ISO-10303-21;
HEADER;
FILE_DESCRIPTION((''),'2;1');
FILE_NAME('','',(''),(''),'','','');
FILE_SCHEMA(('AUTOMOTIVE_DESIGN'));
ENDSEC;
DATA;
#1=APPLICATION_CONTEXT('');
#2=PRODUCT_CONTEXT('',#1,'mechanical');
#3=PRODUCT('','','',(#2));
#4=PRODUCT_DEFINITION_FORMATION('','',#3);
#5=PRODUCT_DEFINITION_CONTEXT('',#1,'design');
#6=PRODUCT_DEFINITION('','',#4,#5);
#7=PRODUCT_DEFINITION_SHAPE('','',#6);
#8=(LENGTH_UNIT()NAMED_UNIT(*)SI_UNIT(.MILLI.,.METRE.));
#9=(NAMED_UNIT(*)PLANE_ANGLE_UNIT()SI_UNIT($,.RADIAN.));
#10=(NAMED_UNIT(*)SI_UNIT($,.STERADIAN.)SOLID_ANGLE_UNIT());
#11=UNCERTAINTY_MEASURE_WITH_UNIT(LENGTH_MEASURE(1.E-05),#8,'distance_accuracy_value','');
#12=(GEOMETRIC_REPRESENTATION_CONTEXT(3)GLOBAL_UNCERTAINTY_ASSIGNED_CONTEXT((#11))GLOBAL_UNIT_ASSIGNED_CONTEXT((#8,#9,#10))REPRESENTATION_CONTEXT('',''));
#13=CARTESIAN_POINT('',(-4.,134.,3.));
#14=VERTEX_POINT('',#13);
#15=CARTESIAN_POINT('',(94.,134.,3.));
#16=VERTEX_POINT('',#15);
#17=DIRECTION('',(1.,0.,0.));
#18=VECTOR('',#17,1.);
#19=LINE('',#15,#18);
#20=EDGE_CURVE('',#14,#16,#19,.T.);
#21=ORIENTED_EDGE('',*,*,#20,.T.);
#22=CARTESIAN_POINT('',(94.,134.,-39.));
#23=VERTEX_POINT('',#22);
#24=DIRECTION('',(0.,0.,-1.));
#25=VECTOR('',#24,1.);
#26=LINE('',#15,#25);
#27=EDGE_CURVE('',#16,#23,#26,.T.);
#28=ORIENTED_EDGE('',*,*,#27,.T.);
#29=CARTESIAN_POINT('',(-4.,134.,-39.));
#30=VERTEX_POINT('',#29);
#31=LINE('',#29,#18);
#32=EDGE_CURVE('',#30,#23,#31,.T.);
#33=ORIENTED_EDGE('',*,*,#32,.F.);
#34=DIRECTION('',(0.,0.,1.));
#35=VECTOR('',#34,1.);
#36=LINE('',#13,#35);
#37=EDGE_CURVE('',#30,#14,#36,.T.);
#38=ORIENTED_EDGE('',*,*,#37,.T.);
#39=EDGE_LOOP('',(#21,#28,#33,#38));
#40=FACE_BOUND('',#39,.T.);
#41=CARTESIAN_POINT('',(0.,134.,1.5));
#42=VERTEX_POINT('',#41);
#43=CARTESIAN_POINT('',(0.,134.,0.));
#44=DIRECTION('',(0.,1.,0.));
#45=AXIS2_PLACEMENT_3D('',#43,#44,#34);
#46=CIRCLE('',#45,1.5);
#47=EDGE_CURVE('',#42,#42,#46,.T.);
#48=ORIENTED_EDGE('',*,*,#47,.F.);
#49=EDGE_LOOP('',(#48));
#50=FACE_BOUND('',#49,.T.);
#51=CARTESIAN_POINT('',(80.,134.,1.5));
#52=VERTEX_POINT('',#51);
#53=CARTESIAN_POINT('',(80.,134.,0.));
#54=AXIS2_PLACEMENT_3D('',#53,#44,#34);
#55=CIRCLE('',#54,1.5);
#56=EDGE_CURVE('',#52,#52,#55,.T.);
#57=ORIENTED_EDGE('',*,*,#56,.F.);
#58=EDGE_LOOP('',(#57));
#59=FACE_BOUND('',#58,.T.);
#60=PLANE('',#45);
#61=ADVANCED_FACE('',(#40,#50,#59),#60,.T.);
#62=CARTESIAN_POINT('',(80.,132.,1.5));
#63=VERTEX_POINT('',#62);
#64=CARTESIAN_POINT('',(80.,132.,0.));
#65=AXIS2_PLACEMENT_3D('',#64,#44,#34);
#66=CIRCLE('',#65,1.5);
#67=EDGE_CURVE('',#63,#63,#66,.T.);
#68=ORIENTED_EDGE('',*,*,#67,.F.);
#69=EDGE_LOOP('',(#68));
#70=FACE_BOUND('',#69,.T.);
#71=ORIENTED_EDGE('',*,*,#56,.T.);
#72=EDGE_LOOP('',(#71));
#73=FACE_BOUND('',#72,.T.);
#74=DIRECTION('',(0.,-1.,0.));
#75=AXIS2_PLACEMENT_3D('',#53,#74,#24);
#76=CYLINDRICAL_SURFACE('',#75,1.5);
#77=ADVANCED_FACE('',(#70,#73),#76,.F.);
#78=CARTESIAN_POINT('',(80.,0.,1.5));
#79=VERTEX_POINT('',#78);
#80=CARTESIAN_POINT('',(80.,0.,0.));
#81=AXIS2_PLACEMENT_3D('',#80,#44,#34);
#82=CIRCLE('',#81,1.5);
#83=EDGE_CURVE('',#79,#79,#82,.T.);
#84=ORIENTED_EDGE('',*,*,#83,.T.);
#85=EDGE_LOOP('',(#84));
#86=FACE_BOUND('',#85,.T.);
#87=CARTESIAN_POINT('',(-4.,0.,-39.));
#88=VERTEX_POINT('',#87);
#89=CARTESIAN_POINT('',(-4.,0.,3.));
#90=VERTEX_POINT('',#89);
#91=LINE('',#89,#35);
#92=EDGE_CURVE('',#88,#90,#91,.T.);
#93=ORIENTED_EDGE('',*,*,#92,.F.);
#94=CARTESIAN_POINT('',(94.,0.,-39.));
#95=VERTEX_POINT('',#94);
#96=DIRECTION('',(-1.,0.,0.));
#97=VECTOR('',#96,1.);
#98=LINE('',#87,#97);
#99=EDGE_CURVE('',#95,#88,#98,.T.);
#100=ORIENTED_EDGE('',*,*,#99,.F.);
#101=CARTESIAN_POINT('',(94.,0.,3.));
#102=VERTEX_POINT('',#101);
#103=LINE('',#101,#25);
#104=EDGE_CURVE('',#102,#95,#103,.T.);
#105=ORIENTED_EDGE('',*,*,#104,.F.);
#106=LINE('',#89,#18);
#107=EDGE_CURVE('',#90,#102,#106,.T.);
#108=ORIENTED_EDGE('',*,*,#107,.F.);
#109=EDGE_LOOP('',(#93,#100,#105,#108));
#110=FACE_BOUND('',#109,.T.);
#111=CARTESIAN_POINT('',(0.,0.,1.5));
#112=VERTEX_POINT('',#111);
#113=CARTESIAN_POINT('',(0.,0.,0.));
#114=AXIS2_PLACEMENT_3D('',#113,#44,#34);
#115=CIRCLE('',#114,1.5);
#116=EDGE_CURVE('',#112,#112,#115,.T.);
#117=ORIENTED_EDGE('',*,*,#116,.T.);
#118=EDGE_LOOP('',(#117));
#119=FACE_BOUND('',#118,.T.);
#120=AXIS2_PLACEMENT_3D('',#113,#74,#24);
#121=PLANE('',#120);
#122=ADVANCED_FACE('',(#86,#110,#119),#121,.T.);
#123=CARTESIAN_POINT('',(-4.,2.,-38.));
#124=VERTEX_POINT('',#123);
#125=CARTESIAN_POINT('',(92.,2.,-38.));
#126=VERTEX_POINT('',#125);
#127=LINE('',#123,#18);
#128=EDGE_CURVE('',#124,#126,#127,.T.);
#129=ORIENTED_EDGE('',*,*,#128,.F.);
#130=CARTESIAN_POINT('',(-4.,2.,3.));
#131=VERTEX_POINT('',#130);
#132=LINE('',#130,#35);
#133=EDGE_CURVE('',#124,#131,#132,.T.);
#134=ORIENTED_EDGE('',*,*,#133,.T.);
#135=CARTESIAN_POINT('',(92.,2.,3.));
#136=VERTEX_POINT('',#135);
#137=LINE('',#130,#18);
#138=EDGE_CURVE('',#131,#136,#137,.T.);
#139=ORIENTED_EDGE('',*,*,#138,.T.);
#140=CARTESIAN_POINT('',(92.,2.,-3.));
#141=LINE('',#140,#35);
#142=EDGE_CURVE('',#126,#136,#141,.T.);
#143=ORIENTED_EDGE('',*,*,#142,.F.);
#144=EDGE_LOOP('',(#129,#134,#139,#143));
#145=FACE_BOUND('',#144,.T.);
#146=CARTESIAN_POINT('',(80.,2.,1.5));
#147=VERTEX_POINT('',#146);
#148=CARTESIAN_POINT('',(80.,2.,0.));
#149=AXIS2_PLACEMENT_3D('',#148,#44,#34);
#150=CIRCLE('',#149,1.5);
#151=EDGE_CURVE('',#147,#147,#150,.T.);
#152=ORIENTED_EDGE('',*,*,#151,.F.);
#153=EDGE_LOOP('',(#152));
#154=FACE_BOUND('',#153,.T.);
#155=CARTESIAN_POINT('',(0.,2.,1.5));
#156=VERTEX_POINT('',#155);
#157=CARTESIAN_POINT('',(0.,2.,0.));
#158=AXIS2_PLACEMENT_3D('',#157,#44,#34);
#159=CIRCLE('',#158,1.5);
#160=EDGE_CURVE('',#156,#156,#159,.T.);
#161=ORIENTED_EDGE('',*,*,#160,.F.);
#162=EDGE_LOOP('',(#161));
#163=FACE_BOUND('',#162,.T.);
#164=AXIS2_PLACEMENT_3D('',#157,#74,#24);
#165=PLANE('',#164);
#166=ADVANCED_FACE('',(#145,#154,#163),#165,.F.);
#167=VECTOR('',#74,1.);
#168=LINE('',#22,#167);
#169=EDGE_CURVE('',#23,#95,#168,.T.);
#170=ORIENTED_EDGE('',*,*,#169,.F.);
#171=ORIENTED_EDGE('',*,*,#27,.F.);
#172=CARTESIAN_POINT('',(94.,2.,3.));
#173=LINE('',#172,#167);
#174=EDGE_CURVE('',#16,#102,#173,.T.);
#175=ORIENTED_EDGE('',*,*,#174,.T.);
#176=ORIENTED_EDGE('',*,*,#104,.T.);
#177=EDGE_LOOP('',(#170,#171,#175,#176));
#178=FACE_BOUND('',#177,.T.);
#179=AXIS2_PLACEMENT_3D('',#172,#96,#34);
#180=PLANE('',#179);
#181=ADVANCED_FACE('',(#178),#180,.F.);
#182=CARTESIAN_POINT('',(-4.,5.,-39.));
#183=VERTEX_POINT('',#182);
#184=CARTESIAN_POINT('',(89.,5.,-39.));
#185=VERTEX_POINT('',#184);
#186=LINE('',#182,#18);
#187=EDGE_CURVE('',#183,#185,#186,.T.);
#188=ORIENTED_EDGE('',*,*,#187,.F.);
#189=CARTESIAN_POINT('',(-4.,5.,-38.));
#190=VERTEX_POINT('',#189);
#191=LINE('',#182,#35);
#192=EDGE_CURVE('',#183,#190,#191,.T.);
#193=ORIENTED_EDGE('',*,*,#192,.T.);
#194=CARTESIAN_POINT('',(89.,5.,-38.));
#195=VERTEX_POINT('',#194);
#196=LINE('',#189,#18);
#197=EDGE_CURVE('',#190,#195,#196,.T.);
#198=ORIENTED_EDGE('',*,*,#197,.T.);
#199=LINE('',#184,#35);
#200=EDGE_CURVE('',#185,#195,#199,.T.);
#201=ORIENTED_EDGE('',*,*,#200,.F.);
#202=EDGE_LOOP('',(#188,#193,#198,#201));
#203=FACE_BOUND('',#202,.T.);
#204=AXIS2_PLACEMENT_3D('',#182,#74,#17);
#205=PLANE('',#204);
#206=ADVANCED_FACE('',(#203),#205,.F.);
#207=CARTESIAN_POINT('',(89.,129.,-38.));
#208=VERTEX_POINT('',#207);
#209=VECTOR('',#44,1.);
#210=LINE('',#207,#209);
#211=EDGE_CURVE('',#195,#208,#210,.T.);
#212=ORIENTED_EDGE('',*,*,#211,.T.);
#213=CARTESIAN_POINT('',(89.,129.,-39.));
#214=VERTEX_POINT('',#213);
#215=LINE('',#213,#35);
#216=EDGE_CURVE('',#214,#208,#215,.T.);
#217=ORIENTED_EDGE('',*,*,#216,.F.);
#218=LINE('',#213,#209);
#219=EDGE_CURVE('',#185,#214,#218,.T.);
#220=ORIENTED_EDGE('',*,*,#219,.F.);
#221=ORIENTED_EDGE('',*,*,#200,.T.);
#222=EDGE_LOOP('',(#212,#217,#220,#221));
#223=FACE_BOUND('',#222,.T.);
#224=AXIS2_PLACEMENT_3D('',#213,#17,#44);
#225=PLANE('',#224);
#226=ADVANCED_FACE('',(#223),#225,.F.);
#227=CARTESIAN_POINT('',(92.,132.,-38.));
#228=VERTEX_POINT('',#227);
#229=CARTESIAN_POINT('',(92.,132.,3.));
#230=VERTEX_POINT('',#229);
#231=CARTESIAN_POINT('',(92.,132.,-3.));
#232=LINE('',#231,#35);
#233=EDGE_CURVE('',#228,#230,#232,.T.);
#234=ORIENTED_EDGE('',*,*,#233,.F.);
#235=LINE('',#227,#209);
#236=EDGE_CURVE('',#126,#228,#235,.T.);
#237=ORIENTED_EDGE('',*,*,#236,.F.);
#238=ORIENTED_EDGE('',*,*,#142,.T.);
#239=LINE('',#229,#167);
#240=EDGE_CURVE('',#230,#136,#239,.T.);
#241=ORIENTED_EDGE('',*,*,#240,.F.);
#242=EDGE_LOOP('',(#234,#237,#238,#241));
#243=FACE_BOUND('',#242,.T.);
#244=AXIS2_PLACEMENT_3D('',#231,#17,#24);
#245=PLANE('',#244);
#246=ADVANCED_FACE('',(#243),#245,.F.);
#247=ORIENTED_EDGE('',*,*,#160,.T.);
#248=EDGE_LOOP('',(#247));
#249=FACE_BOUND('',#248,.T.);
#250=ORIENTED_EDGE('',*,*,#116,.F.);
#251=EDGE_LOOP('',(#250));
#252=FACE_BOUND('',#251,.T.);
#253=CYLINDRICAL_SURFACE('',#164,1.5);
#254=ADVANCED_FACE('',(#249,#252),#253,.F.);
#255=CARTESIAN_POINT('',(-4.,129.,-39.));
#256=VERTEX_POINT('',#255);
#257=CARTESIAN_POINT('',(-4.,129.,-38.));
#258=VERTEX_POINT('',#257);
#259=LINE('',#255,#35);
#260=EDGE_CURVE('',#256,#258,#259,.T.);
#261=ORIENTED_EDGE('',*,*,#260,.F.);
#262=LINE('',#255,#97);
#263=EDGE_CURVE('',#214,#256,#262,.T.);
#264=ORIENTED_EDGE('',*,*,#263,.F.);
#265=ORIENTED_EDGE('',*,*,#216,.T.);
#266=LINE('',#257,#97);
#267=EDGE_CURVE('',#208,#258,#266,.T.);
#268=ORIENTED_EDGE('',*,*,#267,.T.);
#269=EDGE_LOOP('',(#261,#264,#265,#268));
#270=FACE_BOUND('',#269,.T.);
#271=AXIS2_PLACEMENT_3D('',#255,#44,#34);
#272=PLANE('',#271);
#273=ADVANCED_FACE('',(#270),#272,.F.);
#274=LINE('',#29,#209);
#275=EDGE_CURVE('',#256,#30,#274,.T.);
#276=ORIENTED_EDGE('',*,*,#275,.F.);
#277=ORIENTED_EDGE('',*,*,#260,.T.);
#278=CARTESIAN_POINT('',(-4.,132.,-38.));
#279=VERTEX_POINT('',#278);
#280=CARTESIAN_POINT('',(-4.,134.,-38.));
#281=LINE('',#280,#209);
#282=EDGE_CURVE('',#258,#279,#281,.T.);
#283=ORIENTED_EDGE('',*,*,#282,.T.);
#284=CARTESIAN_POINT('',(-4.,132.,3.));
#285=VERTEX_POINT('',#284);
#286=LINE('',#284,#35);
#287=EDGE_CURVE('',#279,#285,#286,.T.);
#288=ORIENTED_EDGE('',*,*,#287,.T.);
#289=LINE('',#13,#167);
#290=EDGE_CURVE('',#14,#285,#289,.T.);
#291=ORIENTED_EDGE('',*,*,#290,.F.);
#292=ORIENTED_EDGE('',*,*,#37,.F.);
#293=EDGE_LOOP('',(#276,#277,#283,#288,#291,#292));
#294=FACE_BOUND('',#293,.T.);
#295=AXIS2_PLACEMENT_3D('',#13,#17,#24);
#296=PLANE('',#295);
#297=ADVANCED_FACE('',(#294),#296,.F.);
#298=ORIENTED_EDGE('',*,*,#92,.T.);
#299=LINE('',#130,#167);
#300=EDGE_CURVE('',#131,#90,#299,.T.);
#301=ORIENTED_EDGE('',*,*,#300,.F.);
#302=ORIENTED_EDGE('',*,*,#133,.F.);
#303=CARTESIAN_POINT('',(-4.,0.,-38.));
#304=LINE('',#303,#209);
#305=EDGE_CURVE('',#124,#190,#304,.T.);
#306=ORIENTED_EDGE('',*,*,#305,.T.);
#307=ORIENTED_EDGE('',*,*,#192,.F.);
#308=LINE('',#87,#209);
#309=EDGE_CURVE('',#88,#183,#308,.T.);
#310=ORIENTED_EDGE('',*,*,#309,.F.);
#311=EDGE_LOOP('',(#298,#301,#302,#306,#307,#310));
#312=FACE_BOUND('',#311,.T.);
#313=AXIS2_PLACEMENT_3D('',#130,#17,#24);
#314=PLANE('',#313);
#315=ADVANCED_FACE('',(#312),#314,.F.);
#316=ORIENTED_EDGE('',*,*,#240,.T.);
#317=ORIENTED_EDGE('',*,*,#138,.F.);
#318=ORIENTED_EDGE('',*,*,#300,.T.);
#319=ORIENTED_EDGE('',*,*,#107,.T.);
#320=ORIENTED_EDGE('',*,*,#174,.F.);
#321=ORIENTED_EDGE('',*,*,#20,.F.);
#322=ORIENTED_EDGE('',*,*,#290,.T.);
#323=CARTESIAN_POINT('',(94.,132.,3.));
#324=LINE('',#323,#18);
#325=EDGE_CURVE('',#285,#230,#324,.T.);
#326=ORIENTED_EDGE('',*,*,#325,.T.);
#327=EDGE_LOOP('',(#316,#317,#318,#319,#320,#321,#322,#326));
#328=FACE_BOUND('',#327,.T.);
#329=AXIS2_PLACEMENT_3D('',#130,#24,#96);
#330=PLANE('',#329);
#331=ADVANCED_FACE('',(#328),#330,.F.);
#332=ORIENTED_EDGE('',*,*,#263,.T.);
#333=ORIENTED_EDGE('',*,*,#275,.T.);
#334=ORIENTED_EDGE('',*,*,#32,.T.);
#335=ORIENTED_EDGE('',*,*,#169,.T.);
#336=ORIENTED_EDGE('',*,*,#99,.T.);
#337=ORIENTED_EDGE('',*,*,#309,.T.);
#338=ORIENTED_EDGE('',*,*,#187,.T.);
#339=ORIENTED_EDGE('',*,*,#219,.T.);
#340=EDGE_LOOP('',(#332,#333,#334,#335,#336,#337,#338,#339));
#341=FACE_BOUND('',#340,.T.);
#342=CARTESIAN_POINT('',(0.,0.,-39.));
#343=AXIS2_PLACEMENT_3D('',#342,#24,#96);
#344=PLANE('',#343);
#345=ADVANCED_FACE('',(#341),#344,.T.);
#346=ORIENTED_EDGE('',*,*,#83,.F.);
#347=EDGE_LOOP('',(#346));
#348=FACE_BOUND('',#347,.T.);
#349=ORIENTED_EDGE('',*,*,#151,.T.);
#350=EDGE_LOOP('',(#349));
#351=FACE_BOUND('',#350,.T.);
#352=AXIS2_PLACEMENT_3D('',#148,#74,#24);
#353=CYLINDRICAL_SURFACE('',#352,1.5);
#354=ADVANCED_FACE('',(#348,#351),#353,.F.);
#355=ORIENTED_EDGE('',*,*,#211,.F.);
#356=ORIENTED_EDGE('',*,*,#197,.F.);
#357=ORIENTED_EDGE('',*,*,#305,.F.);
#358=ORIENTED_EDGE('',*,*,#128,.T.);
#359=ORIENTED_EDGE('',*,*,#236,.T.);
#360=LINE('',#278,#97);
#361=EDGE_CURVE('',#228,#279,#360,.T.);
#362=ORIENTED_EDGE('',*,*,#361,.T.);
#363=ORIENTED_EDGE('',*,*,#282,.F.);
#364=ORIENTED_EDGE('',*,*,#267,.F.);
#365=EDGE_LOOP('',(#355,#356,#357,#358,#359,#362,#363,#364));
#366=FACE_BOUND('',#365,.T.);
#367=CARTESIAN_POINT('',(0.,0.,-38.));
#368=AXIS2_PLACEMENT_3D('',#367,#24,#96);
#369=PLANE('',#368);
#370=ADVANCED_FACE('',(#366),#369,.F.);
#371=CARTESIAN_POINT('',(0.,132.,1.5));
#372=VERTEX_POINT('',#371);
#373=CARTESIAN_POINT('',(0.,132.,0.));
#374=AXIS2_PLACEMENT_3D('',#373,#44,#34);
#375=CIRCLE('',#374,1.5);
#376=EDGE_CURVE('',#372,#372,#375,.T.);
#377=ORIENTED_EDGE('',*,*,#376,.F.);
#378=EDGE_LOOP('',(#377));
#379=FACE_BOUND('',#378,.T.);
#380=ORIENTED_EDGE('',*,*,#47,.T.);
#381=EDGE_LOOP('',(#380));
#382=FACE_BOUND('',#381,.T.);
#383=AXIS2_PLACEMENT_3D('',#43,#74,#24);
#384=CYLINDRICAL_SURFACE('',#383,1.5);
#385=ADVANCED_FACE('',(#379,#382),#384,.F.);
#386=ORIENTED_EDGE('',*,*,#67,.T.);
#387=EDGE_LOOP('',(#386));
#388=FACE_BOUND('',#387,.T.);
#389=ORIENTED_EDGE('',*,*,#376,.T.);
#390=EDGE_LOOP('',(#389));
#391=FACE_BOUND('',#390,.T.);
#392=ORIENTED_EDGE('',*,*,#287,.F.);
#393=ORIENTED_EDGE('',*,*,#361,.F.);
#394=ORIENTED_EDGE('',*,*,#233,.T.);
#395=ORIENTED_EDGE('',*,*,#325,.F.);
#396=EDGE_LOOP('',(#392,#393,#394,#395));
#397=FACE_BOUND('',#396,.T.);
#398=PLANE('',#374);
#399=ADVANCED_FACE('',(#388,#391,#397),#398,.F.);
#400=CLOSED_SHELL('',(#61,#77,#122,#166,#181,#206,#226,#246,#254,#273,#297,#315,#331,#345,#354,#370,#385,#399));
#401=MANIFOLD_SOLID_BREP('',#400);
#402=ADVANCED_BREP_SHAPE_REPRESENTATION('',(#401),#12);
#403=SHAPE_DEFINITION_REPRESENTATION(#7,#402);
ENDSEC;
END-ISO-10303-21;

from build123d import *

# Parameters (mm, degrees)
SKETCH1_W           = 98
SKETCH1_H           = 6
SKETCH1_R           = 1.5
BOSS_EXTRUDE1_DEPTH = 2
SKETCH2_W           = 2
SKETCH2_H           = 6
BOSS_EXTRUDE2_DEPTH = 130
SKETCH3_W           = 98
SKETCH3_H           = 6
SKETCH3_R           = 1.5
BOSS_EXTRUDE3_DEPTH = 2
BOSS_EXTRUDE4_DEPTH = 35
BOSS_EXTRUDE5_DEPTH = 1


with BuildPart() as part:
    # Sketch1 → Boss-Extrude1 (new body)
    with BuildSketch(Plane(origin=(0, 0, 0), x_dir=(1, 0, 0), z_dir=(0, 1, 0))):
        with Locations((45, 0)):
            Rectangle(SKETCH1_W, SKETCH1_H)
        with Locations(Location((0, 0, 0), (0, 0, 270))):
            Circle(SKETCH1_R, mode=Mode.SUBTRACT)
        with Locations(Location((80, 0, 0), (0, 0, 270))):
            Circle(SKETCH1_R, mode=Mode.SUBTRACT)
    extrude(amount=BOSS_EXTRUDE1_DEPTH)

    # Sketch2 → Boss-Extrude2 (add)
    with BuildSketch(Plane(origin=(0, 2, 0), x_dir=(1, 0, 0), z_dir=(0, 1, 0))):
        with Locations((93, 0)):
            Rectangle(SKETCH2_W, SKETCH2_H)
    extrude(amount=BOSS_EXTRUDE2_DEPTH)

    # Sketch3 → Boss-Extrude3 (add)
    with BuildSketch(Plane(origin=(0, 132, 0), x_dir=(1, 0, 0), z_dir=(0, 1, 0))):
        with Locations((45, 0)):
            Rectangle(SKETCH3_W, SKETCH3_H)
        with Locations(Location((0, 0, 0), (0, 0, 270))):
            Circle(SKETCH3_R, mode=Mode.SUBTRACT)
        with Locations(Location((80, 0, 0), (0, 0, 270))):
            Circle(SKETCH3_R, mode=Mode.SUBTRACT)
    extrude(amount=BOSS_EXTRUDE3_DEPTH)

    # Sketch4 → Boss-Extrude4 (add)
    with BuildSketch(Plane(origin=(0, 0, -3), x_dir=(-1, 0, 0), z_dir=(0, 0, -1))):
        Polygon((4, 0), (-92, 0), (-94, 0), (-94, 134), (-92, 134), (4, 134), (4, 132), (-92, 132), (-92, 2), (4, 2), align=None)
    extrude(amount=BOSS_EXTRUDE4_DEPTH)

    # Sketch5 → Boss-Extrude5 (add)
    with BuildSketch(Plane(origin=(0, 0, -38), x_dir=(-1, 0, 0), z_dir=(0, 0, -1))):
        Polygon((4, 0), (-94, 0), (-94, 5), (-94, 126), (-94, 134), (4, 134), (4, 129), (-89, 129), (-89, 5), (4, 5), align=None)
    extrude(amount=BOSS_EXTRUDE5_DEPTH)


solid = part.part
